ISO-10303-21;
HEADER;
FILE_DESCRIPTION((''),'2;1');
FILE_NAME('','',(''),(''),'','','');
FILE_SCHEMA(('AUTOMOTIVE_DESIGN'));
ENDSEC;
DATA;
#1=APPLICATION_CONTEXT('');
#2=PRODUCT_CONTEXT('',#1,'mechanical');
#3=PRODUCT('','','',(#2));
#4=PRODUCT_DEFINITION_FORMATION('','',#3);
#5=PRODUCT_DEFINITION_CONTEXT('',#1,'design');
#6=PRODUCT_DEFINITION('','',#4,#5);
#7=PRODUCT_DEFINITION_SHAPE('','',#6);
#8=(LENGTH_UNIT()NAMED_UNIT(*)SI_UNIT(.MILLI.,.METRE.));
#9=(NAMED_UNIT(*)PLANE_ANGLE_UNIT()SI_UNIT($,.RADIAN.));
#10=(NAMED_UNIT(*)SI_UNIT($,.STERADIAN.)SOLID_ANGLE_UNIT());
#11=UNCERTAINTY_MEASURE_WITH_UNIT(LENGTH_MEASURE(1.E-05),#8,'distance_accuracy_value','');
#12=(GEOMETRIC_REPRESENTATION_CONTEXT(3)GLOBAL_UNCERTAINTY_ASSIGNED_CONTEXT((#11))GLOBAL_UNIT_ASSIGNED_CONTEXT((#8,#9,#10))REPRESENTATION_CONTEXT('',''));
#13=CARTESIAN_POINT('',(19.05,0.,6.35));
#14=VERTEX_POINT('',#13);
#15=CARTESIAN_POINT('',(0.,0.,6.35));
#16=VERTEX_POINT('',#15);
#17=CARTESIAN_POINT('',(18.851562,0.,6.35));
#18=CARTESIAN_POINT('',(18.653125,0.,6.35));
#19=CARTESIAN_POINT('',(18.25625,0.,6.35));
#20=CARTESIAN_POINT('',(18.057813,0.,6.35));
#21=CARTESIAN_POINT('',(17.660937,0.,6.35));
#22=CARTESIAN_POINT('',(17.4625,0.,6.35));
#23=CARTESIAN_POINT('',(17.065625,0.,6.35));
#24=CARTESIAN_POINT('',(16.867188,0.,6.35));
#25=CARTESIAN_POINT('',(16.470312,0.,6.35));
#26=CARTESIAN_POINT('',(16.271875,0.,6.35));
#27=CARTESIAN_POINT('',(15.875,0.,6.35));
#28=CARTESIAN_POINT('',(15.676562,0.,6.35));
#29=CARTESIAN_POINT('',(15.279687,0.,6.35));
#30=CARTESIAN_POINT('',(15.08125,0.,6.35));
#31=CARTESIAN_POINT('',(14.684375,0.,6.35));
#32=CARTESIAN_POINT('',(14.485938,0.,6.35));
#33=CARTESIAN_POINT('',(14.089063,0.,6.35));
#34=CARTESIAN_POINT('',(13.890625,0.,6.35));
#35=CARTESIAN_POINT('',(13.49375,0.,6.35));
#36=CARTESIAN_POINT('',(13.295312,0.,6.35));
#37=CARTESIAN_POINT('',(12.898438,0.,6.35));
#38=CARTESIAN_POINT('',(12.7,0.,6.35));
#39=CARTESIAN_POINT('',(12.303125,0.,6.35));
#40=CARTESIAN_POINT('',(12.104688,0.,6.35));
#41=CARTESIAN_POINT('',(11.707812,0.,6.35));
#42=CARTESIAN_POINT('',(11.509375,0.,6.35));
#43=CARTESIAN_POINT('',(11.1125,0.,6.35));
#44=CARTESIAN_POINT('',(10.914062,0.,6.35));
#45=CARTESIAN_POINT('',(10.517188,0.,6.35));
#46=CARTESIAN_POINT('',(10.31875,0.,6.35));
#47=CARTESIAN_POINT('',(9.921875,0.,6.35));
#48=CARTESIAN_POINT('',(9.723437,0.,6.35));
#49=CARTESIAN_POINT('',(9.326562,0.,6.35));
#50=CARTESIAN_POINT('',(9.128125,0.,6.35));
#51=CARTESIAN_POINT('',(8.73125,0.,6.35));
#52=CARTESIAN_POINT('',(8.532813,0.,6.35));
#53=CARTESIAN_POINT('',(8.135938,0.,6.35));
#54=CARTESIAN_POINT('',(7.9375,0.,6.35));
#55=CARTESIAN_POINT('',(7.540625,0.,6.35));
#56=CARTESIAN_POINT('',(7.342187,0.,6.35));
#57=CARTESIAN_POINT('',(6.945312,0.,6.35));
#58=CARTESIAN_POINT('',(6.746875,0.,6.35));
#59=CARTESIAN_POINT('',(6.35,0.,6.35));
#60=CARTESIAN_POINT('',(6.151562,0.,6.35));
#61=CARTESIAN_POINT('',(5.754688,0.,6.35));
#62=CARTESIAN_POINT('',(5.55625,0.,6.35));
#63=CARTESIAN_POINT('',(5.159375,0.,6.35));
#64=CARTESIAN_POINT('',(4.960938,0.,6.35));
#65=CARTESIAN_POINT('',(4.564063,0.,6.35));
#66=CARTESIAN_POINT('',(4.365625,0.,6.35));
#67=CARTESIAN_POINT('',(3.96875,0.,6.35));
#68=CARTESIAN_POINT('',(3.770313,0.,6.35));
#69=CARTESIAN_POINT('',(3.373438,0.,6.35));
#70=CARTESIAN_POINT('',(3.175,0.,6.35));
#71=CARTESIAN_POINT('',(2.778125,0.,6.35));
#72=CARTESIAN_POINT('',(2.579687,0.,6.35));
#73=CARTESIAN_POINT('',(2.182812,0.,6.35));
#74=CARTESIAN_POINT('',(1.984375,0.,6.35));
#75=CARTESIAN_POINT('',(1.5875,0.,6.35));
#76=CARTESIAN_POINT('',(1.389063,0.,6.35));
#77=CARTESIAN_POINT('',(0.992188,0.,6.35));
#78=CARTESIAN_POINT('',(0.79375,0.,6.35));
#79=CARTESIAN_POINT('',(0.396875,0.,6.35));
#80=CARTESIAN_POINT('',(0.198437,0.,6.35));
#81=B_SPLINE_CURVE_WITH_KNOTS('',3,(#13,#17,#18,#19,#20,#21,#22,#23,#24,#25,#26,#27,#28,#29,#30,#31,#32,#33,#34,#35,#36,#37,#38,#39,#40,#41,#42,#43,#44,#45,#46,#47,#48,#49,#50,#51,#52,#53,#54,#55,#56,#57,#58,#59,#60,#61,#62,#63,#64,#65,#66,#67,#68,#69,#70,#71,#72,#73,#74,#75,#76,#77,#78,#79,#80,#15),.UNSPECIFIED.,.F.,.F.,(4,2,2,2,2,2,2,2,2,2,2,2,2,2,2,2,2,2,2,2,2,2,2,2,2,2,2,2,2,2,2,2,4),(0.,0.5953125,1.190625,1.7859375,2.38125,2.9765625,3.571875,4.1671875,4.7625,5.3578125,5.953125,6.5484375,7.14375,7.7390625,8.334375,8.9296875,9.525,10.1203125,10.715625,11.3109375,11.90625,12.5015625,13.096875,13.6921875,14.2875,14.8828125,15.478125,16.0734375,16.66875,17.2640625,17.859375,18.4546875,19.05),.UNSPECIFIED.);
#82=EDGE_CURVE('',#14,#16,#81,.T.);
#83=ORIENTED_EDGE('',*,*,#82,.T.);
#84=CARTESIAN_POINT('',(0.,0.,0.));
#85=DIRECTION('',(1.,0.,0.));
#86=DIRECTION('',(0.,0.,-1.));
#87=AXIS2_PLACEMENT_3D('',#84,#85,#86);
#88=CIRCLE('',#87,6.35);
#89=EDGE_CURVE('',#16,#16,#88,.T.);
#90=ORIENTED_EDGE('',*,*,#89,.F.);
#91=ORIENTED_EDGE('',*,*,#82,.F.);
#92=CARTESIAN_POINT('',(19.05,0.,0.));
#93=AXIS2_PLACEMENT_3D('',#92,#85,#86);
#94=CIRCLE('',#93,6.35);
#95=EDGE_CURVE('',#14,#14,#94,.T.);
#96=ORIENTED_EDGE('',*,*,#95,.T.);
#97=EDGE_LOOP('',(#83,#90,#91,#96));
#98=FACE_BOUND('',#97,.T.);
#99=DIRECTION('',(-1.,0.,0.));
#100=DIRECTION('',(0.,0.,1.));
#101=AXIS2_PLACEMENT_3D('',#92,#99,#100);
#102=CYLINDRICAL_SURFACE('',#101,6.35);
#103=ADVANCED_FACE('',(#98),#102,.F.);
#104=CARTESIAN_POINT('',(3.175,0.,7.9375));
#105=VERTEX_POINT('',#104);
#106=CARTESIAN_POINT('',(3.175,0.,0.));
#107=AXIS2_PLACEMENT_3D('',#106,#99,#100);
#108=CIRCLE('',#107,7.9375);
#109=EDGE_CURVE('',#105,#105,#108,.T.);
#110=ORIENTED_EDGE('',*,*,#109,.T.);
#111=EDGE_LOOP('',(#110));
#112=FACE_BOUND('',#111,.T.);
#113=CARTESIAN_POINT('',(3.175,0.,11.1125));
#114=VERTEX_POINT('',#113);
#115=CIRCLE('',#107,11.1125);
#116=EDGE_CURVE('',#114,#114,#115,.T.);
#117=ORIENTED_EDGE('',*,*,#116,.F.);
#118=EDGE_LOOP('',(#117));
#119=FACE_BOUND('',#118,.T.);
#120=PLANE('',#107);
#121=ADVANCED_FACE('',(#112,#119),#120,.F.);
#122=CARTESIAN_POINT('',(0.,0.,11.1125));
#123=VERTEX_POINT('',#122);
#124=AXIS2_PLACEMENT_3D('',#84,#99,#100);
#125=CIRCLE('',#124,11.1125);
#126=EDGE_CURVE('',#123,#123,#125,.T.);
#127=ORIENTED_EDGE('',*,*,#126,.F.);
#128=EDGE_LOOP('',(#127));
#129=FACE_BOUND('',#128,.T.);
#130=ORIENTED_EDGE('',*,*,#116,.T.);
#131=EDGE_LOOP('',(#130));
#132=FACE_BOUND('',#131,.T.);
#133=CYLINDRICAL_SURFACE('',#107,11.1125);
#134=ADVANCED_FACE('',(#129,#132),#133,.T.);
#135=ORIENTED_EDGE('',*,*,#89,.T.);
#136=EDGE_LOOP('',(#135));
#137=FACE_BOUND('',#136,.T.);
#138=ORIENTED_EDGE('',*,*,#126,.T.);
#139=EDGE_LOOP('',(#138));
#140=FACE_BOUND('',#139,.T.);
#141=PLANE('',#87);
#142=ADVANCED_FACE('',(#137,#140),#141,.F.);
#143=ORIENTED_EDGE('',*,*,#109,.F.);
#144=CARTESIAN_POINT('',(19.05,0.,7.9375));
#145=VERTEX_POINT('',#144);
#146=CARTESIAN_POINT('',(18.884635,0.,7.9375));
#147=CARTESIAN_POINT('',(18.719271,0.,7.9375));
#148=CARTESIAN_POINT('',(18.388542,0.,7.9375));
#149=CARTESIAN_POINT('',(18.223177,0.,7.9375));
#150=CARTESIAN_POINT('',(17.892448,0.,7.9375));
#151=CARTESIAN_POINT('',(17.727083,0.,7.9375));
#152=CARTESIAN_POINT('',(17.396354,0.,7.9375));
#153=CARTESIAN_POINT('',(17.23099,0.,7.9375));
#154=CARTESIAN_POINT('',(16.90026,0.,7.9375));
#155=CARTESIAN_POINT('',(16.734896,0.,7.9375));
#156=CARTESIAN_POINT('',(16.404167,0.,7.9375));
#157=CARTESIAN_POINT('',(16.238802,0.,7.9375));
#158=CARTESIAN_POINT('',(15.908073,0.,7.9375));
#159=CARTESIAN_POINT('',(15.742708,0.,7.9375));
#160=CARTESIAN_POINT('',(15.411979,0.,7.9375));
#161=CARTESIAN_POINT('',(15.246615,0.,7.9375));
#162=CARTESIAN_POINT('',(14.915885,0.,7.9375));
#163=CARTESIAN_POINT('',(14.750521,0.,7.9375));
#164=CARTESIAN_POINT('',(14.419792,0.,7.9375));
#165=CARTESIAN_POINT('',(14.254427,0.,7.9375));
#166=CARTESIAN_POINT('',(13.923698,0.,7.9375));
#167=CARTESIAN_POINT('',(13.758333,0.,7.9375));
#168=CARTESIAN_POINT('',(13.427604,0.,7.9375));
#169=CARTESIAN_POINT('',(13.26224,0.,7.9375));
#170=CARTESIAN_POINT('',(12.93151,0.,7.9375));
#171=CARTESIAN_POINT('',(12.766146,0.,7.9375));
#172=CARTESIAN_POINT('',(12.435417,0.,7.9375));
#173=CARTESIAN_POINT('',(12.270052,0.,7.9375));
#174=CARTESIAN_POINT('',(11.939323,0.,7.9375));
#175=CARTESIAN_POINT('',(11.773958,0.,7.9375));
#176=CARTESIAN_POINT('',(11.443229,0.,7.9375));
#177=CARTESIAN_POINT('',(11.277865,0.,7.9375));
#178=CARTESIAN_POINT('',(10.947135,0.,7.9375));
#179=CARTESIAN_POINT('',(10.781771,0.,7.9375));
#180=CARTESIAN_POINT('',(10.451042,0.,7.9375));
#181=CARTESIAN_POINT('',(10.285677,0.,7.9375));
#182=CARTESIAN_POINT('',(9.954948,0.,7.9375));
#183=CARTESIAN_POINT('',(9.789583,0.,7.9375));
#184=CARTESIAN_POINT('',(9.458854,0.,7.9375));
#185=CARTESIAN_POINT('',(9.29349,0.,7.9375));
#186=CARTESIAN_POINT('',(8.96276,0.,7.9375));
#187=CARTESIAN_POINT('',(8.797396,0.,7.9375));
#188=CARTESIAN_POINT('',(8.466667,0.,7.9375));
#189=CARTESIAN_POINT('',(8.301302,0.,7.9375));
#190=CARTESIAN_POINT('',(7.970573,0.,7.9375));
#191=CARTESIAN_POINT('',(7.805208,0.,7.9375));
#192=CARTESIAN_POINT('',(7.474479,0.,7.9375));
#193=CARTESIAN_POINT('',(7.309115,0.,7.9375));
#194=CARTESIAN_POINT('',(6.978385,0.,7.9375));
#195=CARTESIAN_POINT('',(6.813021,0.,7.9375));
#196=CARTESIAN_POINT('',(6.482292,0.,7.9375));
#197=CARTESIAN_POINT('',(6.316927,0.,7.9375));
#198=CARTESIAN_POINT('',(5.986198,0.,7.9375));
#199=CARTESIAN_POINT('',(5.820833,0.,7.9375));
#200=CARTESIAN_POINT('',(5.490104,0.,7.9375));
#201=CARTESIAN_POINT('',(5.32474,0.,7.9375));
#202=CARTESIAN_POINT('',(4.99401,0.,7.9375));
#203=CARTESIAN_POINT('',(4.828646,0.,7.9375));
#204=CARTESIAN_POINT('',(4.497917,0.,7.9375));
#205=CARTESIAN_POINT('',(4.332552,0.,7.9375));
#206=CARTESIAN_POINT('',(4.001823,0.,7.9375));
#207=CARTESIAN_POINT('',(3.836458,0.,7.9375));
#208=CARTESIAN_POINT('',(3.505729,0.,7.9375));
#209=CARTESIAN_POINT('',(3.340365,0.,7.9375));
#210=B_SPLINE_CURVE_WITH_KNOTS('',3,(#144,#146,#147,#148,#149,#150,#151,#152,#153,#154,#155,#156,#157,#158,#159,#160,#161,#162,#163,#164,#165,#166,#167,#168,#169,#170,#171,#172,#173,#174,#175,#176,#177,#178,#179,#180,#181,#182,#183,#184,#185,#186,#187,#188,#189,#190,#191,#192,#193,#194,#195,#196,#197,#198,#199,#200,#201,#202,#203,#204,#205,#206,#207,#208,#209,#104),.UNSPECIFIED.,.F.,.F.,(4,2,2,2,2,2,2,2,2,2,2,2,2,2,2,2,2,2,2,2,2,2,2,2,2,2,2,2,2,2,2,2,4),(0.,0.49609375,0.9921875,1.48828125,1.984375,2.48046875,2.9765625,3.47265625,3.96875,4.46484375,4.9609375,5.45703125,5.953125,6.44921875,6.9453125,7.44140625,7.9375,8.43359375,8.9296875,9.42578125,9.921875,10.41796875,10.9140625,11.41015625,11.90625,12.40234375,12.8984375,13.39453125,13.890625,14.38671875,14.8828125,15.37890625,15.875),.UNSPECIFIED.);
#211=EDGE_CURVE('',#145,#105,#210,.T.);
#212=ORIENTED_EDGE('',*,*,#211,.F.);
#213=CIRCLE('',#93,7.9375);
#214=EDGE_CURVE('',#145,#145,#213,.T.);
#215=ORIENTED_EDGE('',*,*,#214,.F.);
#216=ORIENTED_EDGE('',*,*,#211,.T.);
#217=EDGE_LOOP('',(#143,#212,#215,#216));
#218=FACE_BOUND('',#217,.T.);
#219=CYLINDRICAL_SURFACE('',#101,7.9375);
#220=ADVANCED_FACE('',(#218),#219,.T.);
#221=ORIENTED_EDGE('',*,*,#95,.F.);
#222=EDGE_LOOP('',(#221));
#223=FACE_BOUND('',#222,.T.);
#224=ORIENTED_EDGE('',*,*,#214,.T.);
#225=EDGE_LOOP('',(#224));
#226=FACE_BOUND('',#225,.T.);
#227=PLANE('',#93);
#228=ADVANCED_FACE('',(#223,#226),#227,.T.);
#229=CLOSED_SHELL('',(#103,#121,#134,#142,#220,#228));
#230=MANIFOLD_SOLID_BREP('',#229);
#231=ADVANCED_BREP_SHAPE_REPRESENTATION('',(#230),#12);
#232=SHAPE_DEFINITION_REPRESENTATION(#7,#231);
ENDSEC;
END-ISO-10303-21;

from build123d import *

# Parameters (mm, degrees)
SKETCH1_R           = 7.9375
SKETCH1_R_2         = 6.35
BOSS_EXTRUDE1_DEPTH = 19.05
SKETCH2_R           = 11.1125
SKETCH2_R_2         = 7.9375
BOSS_EXTRUDE2_DEPTH = 3.175


with BuildPart() as part:
    # Sketch1 → Boss-Extrude1 (new body)
    with BuildSketch(Plane(origin=(0, 0, 0), x_dir=(0, 0, -1), z_dir=(1, 0, 0))):
        with Locations(Location((0, 0, 0), (0, 0, 180))):
            Circle(SKETCH1_R)
        with Locations(Location((0, 0, 0), (0, 0, 180))):
            Circle(SKETCH1_R_2, mode=Mode.SUBTRACT)
    extrude(amount=BOSS_EXTRUDE1_DEPTH)

    # Sketch2 → Boss-Extrude2 (add)
    with BuildSketch(Plane.ZY):
        Circle(SKETCH2_R)
        Circle(SKETCH2_R_2, mode=Mode.SUBTRACT)
    extrude(amount=-BOSS_EXTRUDE2_DEPTH)


solid = part.part
